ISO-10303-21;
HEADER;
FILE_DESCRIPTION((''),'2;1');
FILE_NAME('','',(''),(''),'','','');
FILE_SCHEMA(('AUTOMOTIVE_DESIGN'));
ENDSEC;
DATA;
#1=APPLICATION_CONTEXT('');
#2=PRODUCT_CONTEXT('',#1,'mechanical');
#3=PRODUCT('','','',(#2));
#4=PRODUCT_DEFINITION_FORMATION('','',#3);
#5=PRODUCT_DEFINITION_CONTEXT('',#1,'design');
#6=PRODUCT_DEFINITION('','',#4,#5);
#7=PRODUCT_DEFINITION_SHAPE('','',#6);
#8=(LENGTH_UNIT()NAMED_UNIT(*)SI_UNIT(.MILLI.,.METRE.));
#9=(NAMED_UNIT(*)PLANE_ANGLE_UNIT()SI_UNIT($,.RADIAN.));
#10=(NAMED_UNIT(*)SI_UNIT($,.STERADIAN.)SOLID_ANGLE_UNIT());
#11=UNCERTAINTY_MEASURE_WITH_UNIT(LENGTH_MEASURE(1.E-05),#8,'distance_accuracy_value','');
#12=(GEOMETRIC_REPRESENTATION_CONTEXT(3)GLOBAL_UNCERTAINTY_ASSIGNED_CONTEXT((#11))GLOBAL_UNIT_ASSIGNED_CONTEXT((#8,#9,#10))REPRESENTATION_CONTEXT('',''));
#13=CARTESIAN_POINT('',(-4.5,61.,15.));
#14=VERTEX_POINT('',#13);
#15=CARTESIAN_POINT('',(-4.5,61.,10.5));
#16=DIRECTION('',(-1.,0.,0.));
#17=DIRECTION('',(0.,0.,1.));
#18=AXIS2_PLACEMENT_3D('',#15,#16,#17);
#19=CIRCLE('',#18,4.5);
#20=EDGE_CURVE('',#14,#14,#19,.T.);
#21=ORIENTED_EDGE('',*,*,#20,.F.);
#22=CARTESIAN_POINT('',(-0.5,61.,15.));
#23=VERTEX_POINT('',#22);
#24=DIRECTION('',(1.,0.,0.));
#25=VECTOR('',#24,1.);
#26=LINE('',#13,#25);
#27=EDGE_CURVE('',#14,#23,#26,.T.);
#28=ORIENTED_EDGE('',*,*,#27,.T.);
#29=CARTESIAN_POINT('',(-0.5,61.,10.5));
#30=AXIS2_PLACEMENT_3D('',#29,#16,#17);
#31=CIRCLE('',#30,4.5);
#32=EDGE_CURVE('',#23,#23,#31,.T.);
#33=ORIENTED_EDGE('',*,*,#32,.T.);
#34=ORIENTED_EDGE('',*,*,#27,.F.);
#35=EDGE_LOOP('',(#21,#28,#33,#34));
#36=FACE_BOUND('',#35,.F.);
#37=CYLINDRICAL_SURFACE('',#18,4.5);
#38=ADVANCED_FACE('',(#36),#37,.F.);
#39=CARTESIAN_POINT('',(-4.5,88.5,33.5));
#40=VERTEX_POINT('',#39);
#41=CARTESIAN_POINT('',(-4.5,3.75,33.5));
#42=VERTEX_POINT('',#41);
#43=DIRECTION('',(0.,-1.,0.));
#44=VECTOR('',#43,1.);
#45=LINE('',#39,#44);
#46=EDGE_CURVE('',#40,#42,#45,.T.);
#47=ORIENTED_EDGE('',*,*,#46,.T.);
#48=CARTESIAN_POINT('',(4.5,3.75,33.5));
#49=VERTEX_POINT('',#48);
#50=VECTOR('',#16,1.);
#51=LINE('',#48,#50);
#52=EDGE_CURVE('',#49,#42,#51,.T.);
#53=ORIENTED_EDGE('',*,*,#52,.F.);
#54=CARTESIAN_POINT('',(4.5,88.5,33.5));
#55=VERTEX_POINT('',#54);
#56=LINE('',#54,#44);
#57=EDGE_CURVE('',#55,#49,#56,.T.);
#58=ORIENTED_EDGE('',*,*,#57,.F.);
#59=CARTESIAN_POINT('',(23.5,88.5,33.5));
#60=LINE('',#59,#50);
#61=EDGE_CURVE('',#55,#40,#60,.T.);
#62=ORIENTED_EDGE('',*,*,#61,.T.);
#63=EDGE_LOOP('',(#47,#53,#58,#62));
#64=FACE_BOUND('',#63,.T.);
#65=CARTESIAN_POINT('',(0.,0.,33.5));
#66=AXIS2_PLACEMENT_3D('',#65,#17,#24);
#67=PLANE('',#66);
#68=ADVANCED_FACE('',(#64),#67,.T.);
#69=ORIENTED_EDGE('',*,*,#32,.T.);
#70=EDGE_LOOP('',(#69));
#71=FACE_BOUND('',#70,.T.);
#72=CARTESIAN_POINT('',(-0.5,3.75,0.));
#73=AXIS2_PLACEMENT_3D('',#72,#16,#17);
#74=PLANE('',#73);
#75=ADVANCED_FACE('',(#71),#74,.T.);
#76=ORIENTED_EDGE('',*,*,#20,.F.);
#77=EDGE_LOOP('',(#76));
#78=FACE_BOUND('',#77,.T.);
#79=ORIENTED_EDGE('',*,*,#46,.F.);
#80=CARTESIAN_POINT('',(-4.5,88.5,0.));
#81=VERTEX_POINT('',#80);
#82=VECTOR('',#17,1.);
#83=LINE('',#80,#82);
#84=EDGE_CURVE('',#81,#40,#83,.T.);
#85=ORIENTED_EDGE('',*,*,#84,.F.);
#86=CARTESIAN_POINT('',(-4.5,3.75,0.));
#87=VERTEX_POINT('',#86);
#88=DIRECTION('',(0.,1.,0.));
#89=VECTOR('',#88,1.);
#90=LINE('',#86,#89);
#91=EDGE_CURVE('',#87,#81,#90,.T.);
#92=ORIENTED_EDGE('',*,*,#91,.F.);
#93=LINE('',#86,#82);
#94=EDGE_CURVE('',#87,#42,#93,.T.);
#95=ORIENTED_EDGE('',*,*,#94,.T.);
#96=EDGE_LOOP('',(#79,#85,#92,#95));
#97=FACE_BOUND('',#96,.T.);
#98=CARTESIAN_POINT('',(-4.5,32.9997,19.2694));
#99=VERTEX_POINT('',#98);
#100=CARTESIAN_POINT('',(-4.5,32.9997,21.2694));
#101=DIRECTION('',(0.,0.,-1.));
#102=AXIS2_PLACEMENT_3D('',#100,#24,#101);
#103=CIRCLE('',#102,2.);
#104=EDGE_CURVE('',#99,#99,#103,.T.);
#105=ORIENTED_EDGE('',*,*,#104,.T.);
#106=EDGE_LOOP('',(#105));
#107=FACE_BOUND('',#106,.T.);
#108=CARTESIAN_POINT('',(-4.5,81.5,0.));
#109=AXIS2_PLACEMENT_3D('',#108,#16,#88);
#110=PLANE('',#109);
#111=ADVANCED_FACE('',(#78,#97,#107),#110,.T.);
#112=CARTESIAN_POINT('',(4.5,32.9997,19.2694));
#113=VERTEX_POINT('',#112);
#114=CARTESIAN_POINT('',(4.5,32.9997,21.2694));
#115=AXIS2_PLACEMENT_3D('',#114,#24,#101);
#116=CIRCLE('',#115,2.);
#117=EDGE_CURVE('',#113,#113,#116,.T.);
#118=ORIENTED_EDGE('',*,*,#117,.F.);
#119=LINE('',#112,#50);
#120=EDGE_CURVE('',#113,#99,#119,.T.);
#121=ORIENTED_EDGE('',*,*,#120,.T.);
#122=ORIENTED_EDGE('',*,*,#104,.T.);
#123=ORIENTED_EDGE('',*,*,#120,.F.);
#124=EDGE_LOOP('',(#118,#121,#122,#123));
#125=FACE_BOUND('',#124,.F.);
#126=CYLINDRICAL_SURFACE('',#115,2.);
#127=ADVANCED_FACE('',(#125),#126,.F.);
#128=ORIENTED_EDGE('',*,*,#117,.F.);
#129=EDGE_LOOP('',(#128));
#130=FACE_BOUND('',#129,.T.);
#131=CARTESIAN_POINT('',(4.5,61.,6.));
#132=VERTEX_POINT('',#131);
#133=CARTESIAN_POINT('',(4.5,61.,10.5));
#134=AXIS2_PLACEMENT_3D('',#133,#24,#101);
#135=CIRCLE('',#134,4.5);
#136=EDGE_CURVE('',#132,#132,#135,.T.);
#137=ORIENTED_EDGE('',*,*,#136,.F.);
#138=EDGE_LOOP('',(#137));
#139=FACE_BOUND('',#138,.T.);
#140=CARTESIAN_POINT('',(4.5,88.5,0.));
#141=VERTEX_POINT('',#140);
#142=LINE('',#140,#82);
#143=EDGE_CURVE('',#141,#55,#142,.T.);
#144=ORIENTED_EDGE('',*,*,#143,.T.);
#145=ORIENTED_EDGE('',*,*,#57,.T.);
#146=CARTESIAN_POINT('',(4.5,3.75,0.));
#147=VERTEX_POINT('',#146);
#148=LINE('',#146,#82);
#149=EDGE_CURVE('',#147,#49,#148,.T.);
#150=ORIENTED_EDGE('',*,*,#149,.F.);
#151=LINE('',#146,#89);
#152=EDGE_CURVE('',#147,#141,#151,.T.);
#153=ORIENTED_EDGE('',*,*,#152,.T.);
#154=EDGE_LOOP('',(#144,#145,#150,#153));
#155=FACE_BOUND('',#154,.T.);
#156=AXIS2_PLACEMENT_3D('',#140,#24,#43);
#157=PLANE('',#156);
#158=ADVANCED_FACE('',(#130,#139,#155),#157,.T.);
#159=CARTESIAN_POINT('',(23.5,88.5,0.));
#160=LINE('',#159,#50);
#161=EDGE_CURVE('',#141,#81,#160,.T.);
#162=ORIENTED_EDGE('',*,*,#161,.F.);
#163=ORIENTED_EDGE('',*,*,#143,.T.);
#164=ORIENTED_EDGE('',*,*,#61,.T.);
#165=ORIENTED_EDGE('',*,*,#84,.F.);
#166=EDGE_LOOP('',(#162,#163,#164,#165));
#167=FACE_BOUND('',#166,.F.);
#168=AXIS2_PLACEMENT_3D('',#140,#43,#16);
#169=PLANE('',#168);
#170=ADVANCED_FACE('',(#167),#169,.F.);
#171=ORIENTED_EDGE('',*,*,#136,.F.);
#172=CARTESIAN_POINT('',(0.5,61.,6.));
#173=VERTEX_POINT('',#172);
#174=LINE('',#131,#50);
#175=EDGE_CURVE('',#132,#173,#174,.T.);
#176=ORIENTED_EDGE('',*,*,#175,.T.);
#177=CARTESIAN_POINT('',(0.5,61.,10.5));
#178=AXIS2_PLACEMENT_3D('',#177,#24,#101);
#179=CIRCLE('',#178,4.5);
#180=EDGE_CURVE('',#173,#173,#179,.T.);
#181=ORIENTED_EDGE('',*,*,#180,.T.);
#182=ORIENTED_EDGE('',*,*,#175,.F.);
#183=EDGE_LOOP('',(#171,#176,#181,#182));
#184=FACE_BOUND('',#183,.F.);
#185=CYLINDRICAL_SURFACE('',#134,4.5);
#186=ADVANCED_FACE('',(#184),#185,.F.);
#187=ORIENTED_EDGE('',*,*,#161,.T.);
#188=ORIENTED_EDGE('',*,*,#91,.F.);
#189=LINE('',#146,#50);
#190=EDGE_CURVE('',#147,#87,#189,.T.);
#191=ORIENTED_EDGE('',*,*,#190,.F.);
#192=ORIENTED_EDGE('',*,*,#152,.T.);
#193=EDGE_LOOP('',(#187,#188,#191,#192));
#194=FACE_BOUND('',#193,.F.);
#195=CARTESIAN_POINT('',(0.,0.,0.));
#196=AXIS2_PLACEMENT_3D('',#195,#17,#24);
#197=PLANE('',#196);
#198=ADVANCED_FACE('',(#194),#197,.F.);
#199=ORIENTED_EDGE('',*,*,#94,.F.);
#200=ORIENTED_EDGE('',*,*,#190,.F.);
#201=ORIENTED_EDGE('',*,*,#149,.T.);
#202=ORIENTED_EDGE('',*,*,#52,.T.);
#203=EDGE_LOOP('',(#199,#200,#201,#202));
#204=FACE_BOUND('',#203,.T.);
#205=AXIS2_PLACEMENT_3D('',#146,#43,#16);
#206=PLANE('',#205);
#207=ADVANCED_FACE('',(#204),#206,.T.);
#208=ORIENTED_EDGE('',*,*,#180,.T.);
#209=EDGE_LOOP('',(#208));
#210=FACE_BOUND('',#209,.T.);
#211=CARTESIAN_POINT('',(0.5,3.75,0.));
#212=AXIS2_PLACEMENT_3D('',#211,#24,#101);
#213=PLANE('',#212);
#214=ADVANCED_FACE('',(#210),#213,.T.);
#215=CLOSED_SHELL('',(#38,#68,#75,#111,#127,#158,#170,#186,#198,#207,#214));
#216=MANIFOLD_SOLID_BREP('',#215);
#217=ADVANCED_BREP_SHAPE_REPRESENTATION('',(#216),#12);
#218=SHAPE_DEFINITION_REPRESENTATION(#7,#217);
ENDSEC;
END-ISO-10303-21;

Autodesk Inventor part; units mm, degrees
ref_plane "YZ Plane" through (0, 0, 0) normal (1, 0, 0) x (0, 1, 0)
ref_plane "XZ Plane" through (0, 0, 0) normal (0, 1, 0) x (-1, 0, 0)
ref_plane "Work Plane1" through (0, 0, 0) normal (0, 0, 1) x (1, 0, 0)
ref_plane "Work Plane2" through (-89, -40.3889, 33.5) normal (0, 0, 1) x (1, 0, 0)
sketch "Sketch1" plane through (0, 0, 0) normal (0, 0, 1) x (1, 0, 0)
  line L0 (23.5, 88.5) -> (-23.5, 88.5) projected
  line L1 (-23.5, 88.5) -> (-23.5, 36.5) projected
  line L2 (-26.5, 33.5) -> (-89, 33.5) projected
  line L3 (-89, 33.5) -> (-89, -72.5) projected
  line L4 (-89, -72.5) -> (-77, -72.5) projected
  line L5 (-74, -75.5) -> (-74, -93.5) projected
  line L6 (-74, -93.5) -> (74, -93.5) projected
  line L7 (74, -93.5) -> (74, -75.5) projected
  line L8 (77, -72.5) -> (89, -72.5) projected
  line L9 (89, -72.5) -> (89, 33.5) projected
  line L10 (89, 33.5) -> (26.5, 33.5) projected
  line L11 (23.5, 36.5) -> (23.5, 88.5) projected
  line L12 (-4.5, 81.5) -> (-4.5, 36.5) projected
  line L13 (-7.5, 33.5) -> (-13.5, 33.5) projected
  line L14 (-16.5, 36.5) -> (-16.5, 81.5) projected
  line L15 (-13.5, 84.5) -> (-7.5, 84.5) projected
  line L16 (16.5, 81.5) -> (16.5, 36.5) projected
  line L17 (13.5, 33.5) -> (7.5, 33.5) projected
  line L18 (4.5, 36.5) -> (4.5, 81.5) projected
  line L19 (7.5, 84.5) -> (13.5, 84.5) projected
  line L20 (-4.5, 88.5) -> (4.5, 88.5)
  line L21 (4.5, 88.5) -> (4.5, 3.75)
  line L22 (4.5, 3.75) -> (-4.5, 3.75)
  line L23 (-4.5, 3.75) -> (-4.5, 88.5)
  line L24 (-32.2, 4.75) -> (-59.9, 4.75)
  arc A0 (13.5, 33.5) -> (16.5, 36.5) centre (13.5, 36.5) ccw projected
  arc A1 (4.5, 36.5) -> (7.5, 33.5) centre (7.5, 36.5) ccw projected
  arc A2 (7.5, 84.5) -> (4.5, 81.5) centre (7.5, 81.5) ccw projected
  arc A3 (16.5, 81.5) -> (13.5, 84.5) centre (13.5, 81.5) ccw projected
  arc A4 (-4.5, 81.5) -> (-7.5, 84.5) centre (-7.5, 81.5) ccw projected
  arc A5 (-7.5, 33.5) -> (-4.5, 36.5) centre (-7.5, 36.5) ccw projected
  arc A6 (-16.5, 36.5) -> (-13.5, 33.5) centre (-13.5, 36.5) ccw projected
  arc A7 (-13.5, 84.5) -> (-16.5, 81.5) centre (-13.5, 81.5) ccw projected
  arc A8 (-26.5, 33.5) -> (-23.5, 36.5) centre (-26.5, 36.5) ccw projected
  arc A9 (-74, -75.5) -> (-77, -72.5) centre (-77, -75.5) ccw projected
  arc A10 (77, -72.5) -> (74, -75.5) centre (77, -75.5) ccw projected
  arc A11 (23.5, 36.5) -> (26.5, 33.5) centre (26.5, 36.5) ccw projected
  point P0 (0, 0)
  point P1 (-4.5, 81.5)
  point P2 (-4.5, 36.5)
  dimension "d0" = 1
extrude "Extrusion1" add sketch "Sketch1" along normal up to surface (33.5 mm away) contours L21 L18 L22 L23 L12 L0
sketch "Sketch2" plane through (4.5, 3.75, 0) normal (1, 0, 0) x (0, 0, -1)
  circle A0 centre (-21.2694, 29.2497) radius 2 projected
  point P0 (0, -3.75)
extrude "Extrusion2" cut sketch "Sketch2" against normal blind 10
sketch "Sketch3" plane through (4.5, 3.75, 0) normal (1, 0, 0) x (0, 0, -1)
  circle A0 centre (-10.5, 57.25) radius 4.5 projected
  point P0 (0, -3.75)
extrude "Extrusion3" cut sketch "Sketch3" against normal blind 4
sketch "Sketch4" plane through (-4.5, 3.75, 0) normal (-1, 0, 0) x (0, 0, 1)
  circle A0 centre (10.5, 57.25) radius 4.5 projected
  point P0 (0, -3.75)
extrude "Extrusion4" cut sketch "Sketch4" against normal blind 4
properties part number "middle_gear_holder"
